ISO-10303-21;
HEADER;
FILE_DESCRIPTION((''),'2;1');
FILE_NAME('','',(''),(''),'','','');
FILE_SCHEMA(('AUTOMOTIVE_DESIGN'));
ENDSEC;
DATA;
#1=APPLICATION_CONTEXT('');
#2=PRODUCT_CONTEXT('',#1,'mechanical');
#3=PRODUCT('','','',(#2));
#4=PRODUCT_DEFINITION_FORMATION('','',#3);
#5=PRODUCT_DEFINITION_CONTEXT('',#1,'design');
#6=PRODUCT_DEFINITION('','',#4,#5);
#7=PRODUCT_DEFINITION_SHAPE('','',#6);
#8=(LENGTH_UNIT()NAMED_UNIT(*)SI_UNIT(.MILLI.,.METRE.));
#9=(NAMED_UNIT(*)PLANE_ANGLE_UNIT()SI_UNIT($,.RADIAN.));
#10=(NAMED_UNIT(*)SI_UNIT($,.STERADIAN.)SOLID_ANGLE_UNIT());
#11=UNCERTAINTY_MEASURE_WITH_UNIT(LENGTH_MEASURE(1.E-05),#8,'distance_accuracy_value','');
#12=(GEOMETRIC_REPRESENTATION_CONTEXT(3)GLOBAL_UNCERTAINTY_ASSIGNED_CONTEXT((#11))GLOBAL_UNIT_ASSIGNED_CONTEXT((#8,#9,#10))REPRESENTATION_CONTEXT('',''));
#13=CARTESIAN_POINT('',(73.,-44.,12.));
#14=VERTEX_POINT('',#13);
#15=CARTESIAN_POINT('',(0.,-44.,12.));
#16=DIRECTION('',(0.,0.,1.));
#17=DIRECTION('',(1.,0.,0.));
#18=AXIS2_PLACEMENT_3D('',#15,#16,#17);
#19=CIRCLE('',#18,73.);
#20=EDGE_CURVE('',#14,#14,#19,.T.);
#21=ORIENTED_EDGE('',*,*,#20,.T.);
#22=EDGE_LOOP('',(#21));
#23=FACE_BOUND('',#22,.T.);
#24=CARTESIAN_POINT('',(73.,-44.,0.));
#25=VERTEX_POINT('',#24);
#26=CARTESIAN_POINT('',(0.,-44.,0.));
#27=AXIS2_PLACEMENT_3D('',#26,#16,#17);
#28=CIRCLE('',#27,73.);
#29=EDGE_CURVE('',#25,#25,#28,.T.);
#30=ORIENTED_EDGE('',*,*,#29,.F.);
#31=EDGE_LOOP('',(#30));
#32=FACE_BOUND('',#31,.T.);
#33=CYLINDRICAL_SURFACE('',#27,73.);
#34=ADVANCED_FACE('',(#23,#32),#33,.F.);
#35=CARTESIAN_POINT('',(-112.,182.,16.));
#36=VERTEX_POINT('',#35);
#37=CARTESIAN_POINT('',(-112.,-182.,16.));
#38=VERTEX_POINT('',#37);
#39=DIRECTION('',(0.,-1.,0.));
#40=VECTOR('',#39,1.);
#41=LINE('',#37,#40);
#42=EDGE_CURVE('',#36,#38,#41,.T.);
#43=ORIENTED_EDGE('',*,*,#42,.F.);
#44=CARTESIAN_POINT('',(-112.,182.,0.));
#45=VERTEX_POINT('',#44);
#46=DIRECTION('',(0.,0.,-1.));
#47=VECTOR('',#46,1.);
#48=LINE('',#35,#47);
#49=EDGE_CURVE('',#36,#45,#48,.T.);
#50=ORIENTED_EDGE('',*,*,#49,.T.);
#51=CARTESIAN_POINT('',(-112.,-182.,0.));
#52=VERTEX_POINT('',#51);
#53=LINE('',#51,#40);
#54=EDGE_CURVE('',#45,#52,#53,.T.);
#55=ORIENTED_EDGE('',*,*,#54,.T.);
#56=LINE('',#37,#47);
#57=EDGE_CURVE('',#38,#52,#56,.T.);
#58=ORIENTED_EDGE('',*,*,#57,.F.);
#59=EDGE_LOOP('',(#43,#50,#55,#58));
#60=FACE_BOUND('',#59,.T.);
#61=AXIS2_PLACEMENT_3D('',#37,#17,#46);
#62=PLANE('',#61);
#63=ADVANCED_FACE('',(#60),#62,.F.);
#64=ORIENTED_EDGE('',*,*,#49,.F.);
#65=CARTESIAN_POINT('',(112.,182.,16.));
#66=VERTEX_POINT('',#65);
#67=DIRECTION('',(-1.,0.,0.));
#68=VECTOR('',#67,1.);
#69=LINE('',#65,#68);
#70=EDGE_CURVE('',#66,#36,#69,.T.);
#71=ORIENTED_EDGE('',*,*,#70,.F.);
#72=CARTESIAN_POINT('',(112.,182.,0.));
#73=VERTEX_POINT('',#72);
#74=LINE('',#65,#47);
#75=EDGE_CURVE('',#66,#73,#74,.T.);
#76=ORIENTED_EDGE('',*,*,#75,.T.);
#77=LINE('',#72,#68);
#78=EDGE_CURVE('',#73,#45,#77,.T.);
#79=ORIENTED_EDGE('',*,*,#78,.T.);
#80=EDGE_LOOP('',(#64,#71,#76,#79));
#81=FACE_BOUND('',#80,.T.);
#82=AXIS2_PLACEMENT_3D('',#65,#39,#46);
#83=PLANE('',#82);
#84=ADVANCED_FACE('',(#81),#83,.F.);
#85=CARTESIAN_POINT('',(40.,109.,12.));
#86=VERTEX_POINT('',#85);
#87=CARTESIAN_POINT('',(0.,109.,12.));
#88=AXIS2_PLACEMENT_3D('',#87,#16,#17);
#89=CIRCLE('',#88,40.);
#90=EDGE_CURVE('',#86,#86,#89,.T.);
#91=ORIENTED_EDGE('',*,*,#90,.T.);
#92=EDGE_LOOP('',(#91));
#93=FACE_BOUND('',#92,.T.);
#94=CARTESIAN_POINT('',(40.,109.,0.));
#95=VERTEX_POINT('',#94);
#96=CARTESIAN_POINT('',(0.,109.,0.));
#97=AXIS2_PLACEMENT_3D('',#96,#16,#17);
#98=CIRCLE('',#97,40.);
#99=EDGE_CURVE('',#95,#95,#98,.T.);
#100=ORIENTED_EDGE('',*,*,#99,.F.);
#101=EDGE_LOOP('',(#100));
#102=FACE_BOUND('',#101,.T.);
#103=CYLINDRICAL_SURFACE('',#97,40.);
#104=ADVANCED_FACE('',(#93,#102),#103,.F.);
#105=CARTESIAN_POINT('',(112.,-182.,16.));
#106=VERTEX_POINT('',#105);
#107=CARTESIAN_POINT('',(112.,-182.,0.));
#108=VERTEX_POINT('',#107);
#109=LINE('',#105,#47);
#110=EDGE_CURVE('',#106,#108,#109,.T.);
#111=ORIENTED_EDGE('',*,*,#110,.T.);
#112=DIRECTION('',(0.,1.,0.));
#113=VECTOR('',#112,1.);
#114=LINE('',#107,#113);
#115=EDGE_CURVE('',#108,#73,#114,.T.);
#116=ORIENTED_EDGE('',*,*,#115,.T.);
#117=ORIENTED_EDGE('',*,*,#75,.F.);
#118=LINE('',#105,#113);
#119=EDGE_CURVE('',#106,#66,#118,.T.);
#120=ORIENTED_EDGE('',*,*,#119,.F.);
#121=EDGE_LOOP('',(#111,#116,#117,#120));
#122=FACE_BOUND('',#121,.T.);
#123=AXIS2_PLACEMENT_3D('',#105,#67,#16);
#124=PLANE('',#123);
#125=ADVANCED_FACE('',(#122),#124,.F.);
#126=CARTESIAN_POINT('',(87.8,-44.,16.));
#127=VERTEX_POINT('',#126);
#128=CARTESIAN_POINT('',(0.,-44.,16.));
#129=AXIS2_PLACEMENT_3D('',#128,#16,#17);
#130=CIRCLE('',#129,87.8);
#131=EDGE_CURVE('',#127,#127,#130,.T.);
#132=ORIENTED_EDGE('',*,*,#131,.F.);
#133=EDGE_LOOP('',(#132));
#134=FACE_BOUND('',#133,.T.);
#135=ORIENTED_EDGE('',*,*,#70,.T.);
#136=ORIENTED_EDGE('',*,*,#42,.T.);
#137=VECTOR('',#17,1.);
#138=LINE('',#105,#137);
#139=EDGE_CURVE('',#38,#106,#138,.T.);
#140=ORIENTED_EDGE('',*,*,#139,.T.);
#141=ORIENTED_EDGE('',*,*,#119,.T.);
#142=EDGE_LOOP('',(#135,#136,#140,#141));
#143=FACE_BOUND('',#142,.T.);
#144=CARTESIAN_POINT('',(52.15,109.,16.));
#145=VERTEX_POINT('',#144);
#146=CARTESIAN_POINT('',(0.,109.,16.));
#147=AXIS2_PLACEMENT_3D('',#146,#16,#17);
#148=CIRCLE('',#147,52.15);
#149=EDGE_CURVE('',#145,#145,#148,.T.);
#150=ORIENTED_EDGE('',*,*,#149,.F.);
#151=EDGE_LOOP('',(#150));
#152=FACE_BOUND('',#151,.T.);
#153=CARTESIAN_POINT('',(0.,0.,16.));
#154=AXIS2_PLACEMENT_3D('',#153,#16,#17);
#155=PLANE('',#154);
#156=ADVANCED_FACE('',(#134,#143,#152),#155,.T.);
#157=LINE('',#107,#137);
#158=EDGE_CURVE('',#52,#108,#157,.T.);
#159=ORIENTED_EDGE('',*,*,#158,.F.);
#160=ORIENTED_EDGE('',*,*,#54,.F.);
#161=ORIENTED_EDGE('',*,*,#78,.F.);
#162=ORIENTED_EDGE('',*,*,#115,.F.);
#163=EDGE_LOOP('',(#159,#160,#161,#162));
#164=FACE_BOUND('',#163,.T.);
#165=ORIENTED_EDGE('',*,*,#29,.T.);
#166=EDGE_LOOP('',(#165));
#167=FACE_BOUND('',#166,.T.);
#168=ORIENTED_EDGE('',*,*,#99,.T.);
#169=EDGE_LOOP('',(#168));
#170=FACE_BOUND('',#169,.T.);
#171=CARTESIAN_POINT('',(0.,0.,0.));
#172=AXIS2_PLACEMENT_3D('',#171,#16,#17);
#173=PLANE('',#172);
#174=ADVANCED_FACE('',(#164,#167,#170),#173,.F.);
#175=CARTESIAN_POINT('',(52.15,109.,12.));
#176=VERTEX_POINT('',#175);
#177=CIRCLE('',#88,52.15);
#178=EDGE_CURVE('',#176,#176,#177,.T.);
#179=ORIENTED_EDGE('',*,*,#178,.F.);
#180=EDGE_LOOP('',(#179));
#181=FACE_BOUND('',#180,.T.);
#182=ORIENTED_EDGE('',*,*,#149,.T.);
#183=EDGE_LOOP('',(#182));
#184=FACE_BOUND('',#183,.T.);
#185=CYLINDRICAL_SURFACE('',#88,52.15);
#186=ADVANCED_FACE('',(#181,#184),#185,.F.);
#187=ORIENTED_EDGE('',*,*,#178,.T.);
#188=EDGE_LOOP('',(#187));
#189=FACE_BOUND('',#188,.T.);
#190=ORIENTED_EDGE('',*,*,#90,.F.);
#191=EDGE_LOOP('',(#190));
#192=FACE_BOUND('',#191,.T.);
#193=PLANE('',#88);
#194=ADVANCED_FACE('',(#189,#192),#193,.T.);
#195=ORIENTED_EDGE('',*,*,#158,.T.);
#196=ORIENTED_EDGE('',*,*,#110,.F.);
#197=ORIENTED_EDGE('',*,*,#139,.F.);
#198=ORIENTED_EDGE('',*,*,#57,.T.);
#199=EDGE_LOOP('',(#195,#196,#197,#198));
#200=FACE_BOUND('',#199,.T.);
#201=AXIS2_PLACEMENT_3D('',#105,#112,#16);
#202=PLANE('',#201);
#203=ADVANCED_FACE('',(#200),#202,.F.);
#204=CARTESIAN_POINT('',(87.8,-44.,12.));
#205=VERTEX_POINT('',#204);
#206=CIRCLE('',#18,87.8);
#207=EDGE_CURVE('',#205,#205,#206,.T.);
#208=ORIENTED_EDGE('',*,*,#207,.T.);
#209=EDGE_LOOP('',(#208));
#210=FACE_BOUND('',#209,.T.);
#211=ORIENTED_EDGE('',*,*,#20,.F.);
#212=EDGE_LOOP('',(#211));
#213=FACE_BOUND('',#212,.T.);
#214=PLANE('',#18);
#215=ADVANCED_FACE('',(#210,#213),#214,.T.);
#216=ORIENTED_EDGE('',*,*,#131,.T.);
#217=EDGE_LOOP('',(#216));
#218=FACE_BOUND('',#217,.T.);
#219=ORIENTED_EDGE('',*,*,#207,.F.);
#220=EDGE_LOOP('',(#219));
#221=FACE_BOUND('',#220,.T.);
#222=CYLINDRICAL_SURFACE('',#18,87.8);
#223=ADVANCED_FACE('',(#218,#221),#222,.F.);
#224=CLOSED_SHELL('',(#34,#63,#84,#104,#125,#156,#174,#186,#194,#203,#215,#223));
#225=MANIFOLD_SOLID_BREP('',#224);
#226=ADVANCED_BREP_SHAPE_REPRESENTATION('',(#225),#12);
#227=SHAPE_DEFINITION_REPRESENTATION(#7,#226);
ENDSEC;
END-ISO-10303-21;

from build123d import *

# Parameters (mm, degrees)
SKETCH1_W           = 224
SKETCH1_H           = 364
BOSS_EXTRUDE1_DEPTH = 16
SKETCH2_R           = 52.15
SKETCH2_R_2         = 87.8
CUT_EXTRUDE1_DEPTH  = 4
SKETCH3_R           = 40
SKETCH3_R_2         = 73
CUT_EXTRUDE2_DEPTH  = 17


with BuildPart() as part:
    # Sketch1 → Boss-Extrude1 (new body)
    with BuildSketch(Plane.XY):
        Rectangle(SKETCH1_W, SKETCH1_H)
    extrude(amount=BOSS_EXTRUDE1_DEPTH)

    # Sketch2 → Cut-Extrude1 (cut)
    with BuildSketch(Plane.XY.offset(16)):
        with Locations((0, 109)):
            Circle(SKETCH2_R)
        with Locations((0, -44)):
            Circle(SKETCH2_R_2)
    extrude(amount=-CUT_EXTRUDE1_DEPTH, mode=Mode.SUBTRACT)

    # Sketch3 → Cut-Extrude2 (cut, through all)
    with BuildSketch(Plane.XY.offset(16)):
        with Locations((0, 109)):
            Circle(SKETCH3_R)
        with Locations((0, -44)):
            Circle(SKETCH3_R_2)
    extrude(amount=-CUT_EXTRUDE2_DEPTH, mode=Mode.SUBTRACT)


solid = part.part
